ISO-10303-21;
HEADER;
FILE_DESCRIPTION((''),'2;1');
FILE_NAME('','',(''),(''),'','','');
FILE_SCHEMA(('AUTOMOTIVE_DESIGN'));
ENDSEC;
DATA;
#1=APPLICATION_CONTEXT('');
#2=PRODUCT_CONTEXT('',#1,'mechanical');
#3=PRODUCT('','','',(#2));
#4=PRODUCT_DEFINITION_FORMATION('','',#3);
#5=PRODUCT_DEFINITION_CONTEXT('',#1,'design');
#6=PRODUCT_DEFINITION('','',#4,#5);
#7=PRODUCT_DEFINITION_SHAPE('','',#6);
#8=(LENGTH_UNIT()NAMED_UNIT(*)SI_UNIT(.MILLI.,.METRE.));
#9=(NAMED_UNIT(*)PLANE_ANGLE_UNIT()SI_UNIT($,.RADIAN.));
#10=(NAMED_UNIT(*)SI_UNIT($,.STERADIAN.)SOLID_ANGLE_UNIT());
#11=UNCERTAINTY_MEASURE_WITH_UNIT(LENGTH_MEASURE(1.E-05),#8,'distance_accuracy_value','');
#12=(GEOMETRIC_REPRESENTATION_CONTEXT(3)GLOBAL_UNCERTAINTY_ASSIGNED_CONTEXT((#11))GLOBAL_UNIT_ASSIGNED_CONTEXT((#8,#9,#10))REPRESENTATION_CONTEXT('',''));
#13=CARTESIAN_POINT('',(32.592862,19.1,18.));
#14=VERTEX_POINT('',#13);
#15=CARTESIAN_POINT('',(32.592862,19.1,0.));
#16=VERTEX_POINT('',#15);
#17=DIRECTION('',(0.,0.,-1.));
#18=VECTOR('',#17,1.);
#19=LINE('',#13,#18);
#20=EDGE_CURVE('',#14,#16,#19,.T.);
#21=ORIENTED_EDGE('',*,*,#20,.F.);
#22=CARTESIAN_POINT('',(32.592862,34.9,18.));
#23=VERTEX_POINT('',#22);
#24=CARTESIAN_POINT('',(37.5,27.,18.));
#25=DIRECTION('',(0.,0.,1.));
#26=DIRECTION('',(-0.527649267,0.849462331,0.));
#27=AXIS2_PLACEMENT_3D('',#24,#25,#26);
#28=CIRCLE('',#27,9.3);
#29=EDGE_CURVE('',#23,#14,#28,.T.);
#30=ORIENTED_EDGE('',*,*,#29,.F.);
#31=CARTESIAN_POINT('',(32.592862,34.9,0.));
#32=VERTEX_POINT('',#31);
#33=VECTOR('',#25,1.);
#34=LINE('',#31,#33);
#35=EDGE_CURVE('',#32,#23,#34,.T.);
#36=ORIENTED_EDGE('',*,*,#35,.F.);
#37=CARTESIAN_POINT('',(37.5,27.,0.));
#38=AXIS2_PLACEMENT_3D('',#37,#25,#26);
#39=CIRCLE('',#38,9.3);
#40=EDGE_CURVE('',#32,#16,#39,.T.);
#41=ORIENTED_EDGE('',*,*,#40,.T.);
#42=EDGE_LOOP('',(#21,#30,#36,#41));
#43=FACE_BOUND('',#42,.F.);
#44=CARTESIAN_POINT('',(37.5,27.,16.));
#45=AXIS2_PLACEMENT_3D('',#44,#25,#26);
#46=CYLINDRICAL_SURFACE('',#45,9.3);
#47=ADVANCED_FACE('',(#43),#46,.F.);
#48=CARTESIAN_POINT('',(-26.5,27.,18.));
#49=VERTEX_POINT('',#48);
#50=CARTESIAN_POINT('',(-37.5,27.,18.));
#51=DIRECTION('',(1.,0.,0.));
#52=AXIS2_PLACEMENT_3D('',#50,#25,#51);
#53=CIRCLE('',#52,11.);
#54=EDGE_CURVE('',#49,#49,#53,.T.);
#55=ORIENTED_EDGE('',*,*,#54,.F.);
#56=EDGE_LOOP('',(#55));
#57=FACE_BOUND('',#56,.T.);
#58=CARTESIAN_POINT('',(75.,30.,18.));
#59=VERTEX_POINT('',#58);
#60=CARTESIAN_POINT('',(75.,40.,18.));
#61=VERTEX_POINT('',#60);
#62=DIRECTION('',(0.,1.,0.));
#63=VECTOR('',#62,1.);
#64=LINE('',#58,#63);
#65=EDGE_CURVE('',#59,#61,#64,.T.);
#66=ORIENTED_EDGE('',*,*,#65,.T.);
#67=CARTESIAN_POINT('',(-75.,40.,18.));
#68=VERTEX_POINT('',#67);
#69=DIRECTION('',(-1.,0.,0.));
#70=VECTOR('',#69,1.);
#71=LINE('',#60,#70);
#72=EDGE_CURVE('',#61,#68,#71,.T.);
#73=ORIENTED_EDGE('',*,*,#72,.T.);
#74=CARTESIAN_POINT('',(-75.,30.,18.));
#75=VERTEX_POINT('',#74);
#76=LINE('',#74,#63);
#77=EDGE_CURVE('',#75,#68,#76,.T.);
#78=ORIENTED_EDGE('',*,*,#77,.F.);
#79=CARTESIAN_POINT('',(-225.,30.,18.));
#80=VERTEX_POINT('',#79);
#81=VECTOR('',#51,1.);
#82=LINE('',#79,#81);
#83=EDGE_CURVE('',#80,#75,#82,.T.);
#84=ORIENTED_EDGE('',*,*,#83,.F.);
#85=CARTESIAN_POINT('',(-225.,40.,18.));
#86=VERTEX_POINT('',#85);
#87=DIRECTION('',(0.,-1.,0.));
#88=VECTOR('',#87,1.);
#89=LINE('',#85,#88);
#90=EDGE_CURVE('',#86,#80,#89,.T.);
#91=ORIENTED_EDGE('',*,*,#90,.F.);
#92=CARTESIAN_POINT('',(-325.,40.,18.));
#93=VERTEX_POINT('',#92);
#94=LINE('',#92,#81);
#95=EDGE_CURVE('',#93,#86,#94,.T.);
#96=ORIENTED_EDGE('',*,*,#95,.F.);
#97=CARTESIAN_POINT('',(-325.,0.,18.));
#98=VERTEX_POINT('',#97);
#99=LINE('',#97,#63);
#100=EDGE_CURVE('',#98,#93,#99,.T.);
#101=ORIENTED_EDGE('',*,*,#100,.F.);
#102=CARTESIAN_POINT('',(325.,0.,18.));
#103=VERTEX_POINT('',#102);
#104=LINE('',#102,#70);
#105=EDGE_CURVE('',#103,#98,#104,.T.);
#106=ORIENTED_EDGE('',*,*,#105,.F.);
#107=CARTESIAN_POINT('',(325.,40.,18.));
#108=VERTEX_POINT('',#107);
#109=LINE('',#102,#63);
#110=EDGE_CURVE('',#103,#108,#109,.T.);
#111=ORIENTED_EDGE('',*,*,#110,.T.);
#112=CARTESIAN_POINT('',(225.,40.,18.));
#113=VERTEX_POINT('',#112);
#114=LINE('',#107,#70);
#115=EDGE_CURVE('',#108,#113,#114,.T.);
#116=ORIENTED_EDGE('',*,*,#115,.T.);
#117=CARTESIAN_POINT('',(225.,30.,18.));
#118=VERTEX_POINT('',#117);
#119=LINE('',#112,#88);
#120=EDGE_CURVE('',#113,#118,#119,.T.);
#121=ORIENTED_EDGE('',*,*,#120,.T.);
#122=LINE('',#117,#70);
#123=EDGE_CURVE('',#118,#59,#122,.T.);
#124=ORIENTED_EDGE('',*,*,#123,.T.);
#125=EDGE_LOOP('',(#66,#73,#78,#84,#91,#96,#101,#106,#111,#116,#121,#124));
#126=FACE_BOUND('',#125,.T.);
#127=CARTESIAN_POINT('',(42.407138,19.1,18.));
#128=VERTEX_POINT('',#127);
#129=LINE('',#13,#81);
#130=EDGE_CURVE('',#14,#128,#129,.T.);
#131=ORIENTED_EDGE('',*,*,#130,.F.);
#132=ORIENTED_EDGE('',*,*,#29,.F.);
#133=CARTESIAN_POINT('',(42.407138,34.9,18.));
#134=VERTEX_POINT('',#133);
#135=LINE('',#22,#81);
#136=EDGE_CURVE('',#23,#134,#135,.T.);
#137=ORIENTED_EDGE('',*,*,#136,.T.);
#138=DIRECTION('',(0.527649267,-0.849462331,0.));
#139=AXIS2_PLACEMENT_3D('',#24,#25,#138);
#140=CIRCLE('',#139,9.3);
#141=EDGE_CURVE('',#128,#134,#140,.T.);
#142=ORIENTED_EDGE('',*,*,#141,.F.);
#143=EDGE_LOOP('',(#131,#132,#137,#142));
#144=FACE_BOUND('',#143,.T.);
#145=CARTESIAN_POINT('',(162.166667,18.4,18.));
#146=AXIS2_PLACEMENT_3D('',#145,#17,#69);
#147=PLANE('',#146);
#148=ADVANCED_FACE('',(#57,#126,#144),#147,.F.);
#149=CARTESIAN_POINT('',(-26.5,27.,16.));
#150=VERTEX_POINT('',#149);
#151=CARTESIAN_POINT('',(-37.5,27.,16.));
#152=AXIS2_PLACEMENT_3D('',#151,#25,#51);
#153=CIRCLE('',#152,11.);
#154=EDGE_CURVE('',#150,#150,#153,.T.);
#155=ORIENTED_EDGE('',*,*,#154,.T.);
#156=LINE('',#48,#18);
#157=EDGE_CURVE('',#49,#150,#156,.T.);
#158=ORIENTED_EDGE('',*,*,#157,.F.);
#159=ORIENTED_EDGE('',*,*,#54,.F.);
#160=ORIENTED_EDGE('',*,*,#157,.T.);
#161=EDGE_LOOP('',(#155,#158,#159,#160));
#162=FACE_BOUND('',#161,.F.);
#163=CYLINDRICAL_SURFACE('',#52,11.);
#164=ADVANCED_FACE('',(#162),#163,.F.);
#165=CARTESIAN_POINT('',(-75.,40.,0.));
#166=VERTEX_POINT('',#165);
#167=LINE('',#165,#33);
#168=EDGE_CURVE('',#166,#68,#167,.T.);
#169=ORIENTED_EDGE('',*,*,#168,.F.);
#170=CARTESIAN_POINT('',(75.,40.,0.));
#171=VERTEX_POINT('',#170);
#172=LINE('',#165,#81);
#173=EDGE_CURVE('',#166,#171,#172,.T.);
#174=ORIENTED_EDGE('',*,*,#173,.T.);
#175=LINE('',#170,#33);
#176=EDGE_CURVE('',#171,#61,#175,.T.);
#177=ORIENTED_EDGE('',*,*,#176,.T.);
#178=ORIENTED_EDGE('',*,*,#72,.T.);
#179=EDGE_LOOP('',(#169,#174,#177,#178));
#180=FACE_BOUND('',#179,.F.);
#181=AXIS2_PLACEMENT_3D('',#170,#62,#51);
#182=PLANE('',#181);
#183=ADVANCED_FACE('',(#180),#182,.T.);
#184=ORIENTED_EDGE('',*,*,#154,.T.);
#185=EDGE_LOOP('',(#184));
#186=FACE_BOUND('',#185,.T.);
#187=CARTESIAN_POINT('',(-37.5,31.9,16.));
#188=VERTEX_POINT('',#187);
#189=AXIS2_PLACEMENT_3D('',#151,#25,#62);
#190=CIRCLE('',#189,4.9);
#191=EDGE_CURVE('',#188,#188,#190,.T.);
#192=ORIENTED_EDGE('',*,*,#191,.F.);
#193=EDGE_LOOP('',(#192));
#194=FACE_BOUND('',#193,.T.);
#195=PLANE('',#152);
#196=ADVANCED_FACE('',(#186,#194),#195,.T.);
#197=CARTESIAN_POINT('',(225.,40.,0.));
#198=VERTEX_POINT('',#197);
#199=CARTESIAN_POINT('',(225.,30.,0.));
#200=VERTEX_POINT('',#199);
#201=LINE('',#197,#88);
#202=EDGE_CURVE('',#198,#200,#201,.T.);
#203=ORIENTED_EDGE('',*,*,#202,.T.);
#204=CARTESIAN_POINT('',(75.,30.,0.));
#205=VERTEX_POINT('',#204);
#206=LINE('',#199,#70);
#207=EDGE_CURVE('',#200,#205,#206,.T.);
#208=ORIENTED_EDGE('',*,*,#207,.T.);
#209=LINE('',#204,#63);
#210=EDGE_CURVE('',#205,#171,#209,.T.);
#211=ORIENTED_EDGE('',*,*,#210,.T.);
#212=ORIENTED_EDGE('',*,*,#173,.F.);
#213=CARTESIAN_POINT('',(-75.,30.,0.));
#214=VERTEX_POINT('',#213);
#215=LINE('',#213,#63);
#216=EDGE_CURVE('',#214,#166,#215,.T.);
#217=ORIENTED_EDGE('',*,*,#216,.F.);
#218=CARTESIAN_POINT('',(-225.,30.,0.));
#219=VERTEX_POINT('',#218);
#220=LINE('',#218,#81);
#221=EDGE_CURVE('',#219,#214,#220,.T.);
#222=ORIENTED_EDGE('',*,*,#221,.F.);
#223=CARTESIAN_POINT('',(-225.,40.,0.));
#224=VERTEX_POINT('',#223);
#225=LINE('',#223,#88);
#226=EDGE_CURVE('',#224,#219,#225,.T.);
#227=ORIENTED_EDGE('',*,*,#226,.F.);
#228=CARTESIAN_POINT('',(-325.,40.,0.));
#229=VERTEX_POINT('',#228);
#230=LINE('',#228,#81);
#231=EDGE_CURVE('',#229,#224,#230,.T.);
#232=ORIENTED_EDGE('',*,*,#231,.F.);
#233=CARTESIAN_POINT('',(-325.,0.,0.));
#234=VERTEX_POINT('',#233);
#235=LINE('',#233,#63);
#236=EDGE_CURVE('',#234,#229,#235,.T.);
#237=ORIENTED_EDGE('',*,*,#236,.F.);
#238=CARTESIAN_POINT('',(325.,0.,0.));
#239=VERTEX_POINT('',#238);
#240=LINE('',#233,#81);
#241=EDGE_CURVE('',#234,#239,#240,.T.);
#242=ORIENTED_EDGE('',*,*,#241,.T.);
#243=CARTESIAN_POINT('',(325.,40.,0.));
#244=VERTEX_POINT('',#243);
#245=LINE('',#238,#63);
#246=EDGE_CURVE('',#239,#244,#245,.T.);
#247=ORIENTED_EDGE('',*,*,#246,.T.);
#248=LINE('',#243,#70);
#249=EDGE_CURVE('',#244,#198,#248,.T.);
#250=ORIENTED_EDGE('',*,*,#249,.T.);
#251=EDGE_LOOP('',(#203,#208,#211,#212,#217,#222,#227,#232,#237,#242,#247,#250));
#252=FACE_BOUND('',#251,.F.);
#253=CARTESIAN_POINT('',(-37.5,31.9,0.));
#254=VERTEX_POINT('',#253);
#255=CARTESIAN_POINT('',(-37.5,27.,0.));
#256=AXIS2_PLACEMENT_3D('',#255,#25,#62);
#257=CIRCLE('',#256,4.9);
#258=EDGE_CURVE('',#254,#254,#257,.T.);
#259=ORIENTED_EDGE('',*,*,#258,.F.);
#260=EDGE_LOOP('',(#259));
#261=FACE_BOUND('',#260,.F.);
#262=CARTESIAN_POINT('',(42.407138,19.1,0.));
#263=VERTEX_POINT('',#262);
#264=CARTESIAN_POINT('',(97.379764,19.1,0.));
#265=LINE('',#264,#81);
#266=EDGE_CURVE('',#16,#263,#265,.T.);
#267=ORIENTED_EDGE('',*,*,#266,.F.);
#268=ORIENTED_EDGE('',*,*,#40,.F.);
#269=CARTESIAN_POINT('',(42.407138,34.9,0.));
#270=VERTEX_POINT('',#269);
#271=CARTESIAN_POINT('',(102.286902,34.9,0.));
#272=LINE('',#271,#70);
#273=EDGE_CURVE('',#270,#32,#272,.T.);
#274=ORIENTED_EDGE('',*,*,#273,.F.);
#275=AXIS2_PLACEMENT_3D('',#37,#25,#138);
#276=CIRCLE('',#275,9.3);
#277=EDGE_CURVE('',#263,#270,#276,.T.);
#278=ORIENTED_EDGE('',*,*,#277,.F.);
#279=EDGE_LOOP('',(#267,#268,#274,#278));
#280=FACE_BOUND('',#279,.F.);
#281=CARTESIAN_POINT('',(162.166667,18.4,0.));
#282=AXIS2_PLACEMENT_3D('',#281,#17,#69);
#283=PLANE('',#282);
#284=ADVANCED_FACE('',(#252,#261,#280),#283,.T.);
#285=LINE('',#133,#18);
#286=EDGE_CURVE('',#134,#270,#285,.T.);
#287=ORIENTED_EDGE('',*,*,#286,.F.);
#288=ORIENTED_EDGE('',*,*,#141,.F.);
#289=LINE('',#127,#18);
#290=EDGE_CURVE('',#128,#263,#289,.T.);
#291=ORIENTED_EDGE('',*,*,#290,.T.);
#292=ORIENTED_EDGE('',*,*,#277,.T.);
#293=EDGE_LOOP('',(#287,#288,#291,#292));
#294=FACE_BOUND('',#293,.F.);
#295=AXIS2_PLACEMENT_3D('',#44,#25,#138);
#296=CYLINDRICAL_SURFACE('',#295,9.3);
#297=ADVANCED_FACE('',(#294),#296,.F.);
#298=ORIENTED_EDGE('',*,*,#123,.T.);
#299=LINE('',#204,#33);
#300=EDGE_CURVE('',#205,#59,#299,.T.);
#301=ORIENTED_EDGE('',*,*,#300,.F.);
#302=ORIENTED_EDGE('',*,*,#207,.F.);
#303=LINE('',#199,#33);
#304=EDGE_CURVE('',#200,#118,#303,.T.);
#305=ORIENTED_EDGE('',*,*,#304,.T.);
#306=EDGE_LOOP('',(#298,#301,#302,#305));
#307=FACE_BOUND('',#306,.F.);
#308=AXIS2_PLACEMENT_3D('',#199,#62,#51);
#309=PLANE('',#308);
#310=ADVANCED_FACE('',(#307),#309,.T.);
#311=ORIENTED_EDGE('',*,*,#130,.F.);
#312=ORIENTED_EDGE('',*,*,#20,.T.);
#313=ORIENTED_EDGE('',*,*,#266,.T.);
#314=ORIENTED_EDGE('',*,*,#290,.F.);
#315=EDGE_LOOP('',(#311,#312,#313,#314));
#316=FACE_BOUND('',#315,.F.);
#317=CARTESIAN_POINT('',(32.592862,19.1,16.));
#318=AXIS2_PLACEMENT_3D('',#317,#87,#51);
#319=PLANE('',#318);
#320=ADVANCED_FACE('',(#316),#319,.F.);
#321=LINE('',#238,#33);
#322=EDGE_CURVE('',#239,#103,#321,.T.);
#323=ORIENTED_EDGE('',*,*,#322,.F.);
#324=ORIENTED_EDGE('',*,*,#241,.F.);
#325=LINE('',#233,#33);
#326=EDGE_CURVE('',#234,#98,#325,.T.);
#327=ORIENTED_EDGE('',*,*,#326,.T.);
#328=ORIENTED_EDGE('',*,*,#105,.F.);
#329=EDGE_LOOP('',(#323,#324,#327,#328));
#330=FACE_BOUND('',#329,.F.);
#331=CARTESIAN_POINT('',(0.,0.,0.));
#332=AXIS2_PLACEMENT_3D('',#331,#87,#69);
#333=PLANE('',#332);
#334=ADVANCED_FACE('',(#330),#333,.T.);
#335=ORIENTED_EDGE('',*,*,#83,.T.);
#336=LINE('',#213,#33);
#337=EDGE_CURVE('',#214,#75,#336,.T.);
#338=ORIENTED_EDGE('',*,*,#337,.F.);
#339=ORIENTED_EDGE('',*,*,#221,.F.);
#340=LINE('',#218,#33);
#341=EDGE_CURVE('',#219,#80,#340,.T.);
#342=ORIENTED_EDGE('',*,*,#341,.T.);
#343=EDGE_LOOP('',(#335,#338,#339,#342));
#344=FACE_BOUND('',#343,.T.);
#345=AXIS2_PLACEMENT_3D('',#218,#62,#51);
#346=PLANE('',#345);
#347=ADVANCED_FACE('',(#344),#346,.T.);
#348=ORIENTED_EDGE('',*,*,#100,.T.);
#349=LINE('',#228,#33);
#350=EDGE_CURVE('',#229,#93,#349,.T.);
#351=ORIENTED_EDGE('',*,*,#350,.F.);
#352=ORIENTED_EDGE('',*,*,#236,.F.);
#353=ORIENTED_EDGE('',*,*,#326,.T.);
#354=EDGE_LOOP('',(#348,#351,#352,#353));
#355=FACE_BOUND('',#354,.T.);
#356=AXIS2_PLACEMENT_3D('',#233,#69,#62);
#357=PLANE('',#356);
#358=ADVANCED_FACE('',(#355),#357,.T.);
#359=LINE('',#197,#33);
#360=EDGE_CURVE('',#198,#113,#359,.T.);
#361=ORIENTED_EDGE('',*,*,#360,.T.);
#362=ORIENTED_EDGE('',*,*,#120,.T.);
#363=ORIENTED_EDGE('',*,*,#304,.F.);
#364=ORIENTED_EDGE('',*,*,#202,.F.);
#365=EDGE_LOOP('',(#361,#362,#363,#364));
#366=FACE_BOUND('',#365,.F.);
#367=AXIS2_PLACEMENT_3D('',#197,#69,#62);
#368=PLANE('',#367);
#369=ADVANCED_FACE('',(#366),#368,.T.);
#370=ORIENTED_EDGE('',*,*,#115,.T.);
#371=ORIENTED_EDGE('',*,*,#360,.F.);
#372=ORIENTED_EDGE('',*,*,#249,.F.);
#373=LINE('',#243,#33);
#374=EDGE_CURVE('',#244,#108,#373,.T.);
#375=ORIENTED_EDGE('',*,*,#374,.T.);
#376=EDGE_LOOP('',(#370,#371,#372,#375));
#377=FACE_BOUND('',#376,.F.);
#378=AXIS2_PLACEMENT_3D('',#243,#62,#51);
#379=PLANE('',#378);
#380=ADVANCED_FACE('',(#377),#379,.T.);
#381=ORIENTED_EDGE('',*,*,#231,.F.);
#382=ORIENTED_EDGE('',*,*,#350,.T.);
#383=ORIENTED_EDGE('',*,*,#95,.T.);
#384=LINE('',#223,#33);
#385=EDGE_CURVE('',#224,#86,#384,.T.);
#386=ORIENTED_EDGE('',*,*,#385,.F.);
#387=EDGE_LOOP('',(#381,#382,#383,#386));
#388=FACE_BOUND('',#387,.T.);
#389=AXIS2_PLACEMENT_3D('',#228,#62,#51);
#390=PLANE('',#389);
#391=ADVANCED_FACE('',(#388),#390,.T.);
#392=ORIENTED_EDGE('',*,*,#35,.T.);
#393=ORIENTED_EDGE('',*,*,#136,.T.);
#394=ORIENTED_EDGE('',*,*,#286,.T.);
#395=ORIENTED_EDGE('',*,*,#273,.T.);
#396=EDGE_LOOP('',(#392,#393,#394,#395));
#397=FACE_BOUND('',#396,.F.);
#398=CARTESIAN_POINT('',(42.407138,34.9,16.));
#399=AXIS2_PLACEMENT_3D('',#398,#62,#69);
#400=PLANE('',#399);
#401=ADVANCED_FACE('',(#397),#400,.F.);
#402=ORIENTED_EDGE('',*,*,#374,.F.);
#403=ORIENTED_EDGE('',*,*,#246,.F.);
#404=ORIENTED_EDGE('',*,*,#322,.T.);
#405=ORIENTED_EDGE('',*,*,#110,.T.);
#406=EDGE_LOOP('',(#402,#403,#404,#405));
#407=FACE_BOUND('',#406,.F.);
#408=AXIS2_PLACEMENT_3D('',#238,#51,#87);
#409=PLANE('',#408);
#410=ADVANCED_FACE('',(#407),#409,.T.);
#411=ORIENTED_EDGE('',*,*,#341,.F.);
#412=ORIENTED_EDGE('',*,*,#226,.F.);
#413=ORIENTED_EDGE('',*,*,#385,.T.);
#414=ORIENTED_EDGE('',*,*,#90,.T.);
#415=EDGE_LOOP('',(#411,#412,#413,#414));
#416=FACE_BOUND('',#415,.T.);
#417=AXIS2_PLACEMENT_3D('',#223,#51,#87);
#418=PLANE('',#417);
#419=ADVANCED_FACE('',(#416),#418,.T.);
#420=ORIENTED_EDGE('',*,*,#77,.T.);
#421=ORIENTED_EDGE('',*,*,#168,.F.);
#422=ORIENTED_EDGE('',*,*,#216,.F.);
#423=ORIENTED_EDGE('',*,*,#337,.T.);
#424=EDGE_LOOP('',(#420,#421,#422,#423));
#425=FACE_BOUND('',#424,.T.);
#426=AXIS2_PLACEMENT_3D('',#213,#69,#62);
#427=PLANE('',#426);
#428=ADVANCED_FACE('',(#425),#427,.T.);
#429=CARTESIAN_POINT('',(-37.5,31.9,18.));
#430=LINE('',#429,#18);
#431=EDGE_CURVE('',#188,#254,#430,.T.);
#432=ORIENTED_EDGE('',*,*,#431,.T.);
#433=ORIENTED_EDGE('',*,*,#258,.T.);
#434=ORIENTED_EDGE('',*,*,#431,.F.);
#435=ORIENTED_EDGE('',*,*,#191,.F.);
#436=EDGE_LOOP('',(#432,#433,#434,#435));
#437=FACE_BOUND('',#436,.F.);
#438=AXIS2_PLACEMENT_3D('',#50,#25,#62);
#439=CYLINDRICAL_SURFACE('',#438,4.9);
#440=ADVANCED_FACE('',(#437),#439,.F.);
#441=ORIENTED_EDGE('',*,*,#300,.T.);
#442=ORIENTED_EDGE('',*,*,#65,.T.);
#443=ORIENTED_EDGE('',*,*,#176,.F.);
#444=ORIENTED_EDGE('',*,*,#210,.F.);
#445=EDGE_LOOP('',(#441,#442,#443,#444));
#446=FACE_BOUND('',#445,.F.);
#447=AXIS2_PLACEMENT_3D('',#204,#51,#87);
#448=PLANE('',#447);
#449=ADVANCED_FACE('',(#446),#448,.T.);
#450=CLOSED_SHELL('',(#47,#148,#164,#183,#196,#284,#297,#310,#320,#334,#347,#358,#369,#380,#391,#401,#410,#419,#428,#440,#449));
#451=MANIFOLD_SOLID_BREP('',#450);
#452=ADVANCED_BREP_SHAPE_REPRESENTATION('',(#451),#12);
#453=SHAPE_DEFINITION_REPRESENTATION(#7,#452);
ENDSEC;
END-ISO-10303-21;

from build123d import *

# Parameters (mm, degrees)
PAD_DEPTH          = 18
SKETCH001_R        = 11
SKETCH001_R_2      = 4.9
POCKET_DEPTH       = 2
POCKET001_DEPTH    = 20
POCKET001_FACE30_R = 4.9
POCKET002_DEPTH    = 20


with BuildPart() as part:
    # Sketch → Pad (new body)
    with BuildSketch(Plane.XY):
        Polygon((0, 0), (-325, 0), (-325, 40), (-225, 40), (-225, 30), (-75, 30), (-75, 40), (0, 40), align=None)
    pad = extrude(amount=PAD_DEPTH)

    # Mirrored: Pad across Sketch V_Axis
    add(pad.mirror(Plane(origin=(0, 0, 0), x_dir=(0, 0, 1), z_dir=(1, 0, 0))))

    # Sketch001 (on DatumPlane) → Pocket (cut)
    with BuildSketch(Plane.XY.offset(18)):
        with Locations((-37.5, 27)):
            Circle(SKETCH001_R)
        with Locations((-37.5, 27)):
            Circle(SKETCH001_R_2, mode=Mode.SUBTRACT)
        with BuildLine():
            ThreePointArc((32.592862, 34.9), (28.2, 27), (32.592862, 19.1))
            Line((32.592862, 19.1), (42.407138, 19.1))
            ThreePointArc((42.407138, 19.1), (46.8, 27), (42.407138, 34.9))
            Line((32.592862, 34.9), (42.407138, 34.9))
        make_face()
    extrude(amount=-POCKET_DEPTH, mode=Mode.SUBTRACT)

    # Pocket Face25 → Pocket001 (cut)
    with BuildSketch(Plane(origin=(37.5, 27, 16), x_dir=(0, 1, 0), z_dir=(0, 0, 1))):
        with BuildLine():
            ThreePointArc((7.9, 4.907138), (0, 9.3), (-7.9, 4.907138))
            Line((-7.9, 4.907138), (-7.9, -4.907138))
            ThreePointArc((-7.9, -4.907138), (0, -9.3), (7.9, -4.907138))
            Line((7.9, -4.907138), (7.9, 4.907138))
        make_face()
    extrude(amount=-POCKET001_DEPTH, mode=Mode.SUBTRACT)

    # Pocket001 Face30 → Pocket002 (cut)
    with BuildSketch(Plane(origin=(-37.5, 27, 18), x_dir=(0, 1, 0), z_dir=(0, 0, 1))):
        Circle(POCKET001_FACE30_R)
    extrude(amount=-POCKET002_DEPTH, mode=Mode.SUBTRACT)


solid = part.part
